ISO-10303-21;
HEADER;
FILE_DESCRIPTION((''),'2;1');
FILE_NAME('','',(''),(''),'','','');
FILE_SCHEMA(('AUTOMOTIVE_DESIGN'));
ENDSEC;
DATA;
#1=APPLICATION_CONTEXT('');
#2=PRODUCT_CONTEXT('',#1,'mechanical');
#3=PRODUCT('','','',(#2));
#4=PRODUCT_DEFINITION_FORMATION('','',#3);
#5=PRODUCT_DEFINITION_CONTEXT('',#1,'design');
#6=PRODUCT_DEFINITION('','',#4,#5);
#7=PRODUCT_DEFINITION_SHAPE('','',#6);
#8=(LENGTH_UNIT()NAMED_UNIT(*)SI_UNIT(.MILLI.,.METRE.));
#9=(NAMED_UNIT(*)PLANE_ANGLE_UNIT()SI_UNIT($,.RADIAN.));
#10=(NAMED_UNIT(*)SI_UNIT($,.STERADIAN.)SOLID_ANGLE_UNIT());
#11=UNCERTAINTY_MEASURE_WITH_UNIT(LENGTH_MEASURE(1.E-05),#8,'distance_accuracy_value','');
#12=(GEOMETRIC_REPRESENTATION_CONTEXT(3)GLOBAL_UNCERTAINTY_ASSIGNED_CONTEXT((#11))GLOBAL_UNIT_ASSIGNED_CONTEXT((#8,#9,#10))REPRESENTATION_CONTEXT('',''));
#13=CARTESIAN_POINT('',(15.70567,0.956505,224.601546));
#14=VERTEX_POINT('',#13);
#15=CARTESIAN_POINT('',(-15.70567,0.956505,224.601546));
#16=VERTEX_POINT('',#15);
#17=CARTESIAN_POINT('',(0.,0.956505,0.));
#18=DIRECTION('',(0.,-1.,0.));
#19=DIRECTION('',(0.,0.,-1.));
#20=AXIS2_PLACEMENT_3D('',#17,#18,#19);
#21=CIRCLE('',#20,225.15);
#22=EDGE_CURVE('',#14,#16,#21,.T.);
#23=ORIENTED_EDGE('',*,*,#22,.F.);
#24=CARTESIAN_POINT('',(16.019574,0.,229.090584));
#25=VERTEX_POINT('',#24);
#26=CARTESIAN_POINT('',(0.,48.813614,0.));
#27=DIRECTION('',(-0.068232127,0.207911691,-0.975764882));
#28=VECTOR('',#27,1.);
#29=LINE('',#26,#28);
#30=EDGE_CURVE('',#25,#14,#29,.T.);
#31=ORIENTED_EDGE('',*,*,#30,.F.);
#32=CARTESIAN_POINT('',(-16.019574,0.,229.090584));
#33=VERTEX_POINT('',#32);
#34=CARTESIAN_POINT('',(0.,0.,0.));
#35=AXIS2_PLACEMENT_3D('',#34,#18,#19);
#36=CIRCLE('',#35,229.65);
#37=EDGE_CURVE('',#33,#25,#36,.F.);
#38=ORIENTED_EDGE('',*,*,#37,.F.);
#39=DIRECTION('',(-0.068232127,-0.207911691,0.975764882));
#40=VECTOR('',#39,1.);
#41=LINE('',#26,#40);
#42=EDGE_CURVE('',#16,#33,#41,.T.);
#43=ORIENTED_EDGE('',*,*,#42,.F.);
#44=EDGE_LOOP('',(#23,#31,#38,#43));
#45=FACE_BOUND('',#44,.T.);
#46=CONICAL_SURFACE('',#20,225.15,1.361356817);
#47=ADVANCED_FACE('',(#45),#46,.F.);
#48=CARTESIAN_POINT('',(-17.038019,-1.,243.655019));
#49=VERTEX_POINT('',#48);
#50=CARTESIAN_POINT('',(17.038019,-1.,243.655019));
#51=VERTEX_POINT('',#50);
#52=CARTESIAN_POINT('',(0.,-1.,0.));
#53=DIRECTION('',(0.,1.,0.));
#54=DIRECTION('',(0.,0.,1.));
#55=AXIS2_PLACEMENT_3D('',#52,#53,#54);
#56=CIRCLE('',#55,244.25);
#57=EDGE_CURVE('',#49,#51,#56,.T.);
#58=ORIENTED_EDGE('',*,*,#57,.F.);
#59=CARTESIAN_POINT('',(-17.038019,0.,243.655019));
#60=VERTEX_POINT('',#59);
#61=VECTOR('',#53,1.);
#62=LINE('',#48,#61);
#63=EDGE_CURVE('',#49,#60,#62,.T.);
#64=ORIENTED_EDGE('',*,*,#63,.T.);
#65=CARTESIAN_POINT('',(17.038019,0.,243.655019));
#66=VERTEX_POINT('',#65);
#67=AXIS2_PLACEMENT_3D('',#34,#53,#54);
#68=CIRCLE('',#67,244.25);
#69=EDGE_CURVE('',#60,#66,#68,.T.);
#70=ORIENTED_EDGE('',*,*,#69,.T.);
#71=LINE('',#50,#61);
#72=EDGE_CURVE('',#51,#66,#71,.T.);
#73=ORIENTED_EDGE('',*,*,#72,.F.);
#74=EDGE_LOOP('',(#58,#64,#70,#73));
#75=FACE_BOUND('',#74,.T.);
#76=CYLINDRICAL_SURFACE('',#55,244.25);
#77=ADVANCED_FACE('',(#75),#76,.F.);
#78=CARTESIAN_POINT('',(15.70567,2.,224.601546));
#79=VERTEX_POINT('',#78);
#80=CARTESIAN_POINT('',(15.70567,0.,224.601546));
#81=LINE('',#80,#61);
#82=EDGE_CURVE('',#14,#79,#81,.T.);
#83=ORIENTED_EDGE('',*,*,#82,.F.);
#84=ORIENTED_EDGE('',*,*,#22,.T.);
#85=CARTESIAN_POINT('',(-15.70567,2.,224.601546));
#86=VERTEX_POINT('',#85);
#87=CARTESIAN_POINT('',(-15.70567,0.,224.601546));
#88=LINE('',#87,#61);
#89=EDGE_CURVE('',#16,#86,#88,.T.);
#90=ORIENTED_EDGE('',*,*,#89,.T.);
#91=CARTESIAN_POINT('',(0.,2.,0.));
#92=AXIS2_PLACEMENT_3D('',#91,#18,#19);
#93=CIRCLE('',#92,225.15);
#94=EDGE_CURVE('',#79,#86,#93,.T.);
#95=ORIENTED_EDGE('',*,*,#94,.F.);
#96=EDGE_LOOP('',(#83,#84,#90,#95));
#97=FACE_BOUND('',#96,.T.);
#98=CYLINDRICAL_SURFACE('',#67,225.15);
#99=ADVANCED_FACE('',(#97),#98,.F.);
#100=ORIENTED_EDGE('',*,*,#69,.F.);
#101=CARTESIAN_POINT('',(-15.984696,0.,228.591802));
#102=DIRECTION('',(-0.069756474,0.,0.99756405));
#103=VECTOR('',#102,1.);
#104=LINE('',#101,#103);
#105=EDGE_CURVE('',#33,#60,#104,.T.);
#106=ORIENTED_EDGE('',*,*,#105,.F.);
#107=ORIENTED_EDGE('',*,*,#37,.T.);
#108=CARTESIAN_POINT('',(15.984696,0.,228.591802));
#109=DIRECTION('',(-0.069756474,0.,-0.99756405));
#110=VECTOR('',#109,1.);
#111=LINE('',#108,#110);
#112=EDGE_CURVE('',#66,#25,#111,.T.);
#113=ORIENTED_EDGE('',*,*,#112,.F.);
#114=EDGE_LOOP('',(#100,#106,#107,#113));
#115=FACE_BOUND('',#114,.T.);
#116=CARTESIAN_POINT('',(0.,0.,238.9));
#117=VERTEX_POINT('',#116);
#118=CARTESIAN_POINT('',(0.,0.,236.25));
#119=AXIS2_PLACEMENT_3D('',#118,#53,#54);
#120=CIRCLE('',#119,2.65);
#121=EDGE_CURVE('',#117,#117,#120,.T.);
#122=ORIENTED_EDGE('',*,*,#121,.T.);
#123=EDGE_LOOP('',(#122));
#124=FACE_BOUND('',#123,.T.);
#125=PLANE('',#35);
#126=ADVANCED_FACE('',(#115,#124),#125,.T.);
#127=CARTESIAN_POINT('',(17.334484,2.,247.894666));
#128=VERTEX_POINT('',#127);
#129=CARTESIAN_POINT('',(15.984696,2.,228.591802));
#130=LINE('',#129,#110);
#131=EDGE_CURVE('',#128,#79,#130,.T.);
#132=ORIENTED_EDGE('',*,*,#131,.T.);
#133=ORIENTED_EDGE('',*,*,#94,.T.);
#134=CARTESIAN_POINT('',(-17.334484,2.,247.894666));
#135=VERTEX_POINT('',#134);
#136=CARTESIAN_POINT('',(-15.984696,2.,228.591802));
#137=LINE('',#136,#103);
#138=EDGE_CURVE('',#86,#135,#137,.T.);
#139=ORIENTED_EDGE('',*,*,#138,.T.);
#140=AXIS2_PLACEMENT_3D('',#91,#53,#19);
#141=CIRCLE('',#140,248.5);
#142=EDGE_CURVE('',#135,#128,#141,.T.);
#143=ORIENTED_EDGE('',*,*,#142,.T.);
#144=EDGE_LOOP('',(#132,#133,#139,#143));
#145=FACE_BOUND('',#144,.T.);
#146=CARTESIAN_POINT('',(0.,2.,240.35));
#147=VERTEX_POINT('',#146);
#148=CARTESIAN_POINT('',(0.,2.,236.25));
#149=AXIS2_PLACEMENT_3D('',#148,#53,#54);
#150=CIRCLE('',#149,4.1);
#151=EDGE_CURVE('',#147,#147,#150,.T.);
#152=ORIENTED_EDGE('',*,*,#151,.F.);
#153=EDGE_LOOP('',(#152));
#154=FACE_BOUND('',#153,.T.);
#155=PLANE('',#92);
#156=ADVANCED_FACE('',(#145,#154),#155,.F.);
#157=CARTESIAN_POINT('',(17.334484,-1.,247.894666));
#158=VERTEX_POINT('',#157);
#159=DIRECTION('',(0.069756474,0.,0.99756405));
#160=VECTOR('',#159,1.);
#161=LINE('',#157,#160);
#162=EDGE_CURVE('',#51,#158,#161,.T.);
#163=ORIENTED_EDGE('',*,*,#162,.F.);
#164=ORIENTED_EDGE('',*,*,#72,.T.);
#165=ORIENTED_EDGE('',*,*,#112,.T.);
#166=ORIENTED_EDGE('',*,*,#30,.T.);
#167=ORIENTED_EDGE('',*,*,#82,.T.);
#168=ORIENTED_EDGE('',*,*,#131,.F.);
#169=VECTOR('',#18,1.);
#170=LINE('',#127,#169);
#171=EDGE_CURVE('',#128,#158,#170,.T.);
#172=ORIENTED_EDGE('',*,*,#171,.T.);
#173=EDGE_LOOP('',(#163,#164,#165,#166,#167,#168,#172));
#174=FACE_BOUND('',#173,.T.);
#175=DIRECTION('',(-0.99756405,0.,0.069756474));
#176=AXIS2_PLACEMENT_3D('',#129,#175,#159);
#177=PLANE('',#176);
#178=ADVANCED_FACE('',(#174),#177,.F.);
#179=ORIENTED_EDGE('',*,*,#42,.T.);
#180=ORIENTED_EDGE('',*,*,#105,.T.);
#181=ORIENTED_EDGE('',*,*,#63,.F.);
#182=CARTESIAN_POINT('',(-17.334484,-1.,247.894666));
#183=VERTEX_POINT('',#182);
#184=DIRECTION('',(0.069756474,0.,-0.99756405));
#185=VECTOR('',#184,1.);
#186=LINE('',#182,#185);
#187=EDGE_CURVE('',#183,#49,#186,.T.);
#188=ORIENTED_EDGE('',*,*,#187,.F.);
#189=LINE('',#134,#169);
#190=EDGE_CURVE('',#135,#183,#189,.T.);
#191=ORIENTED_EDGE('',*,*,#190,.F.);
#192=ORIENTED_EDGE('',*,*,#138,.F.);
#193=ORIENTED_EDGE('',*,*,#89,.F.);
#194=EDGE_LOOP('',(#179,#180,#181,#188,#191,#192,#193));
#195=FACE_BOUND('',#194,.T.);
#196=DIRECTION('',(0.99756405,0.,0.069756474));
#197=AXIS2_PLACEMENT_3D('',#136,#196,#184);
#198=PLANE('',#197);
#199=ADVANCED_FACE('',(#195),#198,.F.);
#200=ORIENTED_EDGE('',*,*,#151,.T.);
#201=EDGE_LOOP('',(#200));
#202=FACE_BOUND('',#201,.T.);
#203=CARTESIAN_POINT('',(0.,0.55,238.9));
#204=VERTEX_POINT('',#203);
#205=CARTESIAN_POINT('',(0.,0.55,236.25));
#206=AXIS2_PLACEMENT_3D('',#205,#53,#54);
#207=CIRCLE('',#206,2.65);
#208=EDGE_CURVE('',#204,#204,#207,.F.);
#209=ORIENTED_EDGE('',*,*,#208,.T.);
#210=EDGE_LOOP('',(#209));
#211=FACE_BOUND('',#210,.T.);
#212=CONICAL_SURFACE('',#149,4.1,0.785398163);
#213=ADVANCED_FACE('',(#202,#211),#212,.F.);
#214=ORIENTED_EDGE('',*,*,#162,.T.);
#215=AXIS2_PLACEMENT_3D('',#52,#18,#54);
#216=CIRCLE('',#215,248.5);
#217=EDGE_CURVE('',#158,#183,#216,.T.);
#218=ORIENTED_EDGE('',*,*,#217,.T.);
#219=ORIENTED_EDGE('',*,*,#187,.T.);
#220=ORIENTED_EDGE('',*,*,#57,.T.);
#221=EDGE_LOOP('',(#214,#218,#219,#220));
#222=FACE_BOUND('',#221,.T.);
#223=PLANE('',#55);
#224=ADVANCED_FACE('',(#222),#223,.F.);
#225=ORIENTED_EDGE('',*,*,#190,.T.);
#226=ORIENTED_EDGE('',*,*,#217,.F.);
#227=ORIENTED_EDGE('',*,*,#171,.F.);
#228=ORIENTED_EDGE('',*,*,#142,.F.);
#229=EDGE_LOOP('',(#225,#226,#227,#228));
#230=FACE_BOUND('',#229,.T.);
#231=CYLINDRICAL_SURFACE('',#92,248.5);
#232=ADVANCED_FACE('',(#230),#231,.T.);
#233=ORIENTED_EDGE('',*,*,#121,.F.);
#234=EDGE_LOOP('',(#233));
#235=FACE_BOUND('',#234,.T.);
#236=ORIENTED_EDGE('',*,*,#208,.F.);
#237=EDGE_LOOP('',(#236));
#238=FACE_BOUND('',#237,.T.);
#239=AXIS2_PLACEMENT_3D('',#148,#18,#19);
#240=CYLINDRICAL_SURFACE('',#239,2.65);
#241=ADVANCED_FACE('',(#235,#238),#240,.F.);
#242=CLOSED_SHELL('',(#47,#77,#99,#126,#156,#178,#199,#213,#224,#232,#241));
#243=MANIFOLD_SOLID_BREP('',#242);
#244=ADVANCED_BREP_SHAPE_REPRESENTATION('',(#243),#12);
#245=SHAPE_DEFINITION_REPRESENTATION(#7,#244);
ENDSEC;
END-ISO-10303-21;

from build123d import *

# Parameters (mm, degrees)
SKETCH2_R           = 2.65
BOSS_EXTRUDE1_DEPTH = 2
BOSS_EXTRUDE2_DEPTH = 2
CHAMFER1_SIZE       = 4.5
CHAMFER1_SIZE2      = 0.956504528
BOSS_EXTRUDE3_START = 1
BOSS_EXTRUDE3_DEPTH = 1


with BuildPart() as part:
    # Sketch2 → Boss-Extrude1 (new body)
    with BuildSketch(Plane(origin=(0, 0, 0), x_dir=(1, 0, 0), z_dir=(0, 1, 0))):
        with BuildLine():
            Line((-15.984695958, -228.591802117), (-17.334483725, -247.89466649))
            ThreePointArc((-17.334483725, -247.89466649), (0, -248.5), (17.334483725, -247.89466649))
            Line((17.334483725, -247.89466649), (15.984695958, -228.591802117))
            ThreePointArc((15.984695958, -228.591802117), (0, -229.15), (-15.984695958, -228.591802117))
        make_face()
        with Locations(Location((0, -236.25, 0), (0, 0, 270))):
            Circle(SKETCH2_R, mode=Mode.SUBTRACT)
    extrude(amount=BOSS_EXTRUDE1_DEPTH)

    # Sketch3 → Boss-Extrude2 (add)
    with BuildSketch(Plane(origin=(0, 0, 0), x_dir=(1, 0, 0), z_dir=(0, 1, 0))):
        with BuildLine():
            Line((-15.705670063, -224.601545916), (-15.984695958, -228.591802117))
            ThreePointArc((-15.984695958, -228.591802117), (0, -229.15), (15.984695958, -228.591802117))
            Line((15.984695958, -228.591802117), (15.705670063, -224.601545916))
            ThreePointArc((15.705670063, -224.601545916), (0, -225.15), (-15.705670063, -224.601545916))
        make_face()
    extrude(amount=BOSS_EXTRUDE2_DEPTH)

    # Chamfer1
    chamfer1_edges = [part.edges().sort_by_distance(p)[0] for p in [
        (0, 0, 225.15),
    ]]
    chamfer1_side = [part.faces().sort_by_distance(p)[0] for p in [
        (16.100023839, 0, 236.277479174),
    ]]
    chamfer(chamfer1_edges, length=CHAMFER1_SIZE, length2=CHAMFER1_SIZE2, reference=chamfer1_side[0])

    # Sketch4 → Boss-Extrude3 (add)
    with BuildSketch(Plane.XZ.offset(BOSS_EXTRUDE3_START)):
        with BuildLine():
            Line((-17.334483725, 247.89466649), (-17.038018712, 243.655019276))
            ThreePointArc((-17.038018712, 243.655019276), (0, 244.25), (17.038018712, 243.655019276))
            Line((17.038018712, 243.655019276), (17.334483725, 247.89466649))
            ThreePointArc((17.334483725, 247.89466649), (0, 248.5), (-17.334483725, 247.89466649))
        make_face()
    extrude(amount=-BOSS_EXTRUDE3_DEPTH)

    # Sketch20 → CSK for M3.5 Flat Head Machine Screw2 (revolve, cut)
    with BuildSketch(Plane(origin=(0, 2, 236.25), x_dir=(0, 0, 1), z_dir=(1, 0, 0))):
        Polygon((0, 0), (0, 3), (1.85, 3), (1.85, 2.25), (4.1, 0), align=None)
    revolve(axis=Axis((0, 8.35, 236.25), (0, -1, 0)), mode=Mode.SUBTRACT)


solid = part.part
